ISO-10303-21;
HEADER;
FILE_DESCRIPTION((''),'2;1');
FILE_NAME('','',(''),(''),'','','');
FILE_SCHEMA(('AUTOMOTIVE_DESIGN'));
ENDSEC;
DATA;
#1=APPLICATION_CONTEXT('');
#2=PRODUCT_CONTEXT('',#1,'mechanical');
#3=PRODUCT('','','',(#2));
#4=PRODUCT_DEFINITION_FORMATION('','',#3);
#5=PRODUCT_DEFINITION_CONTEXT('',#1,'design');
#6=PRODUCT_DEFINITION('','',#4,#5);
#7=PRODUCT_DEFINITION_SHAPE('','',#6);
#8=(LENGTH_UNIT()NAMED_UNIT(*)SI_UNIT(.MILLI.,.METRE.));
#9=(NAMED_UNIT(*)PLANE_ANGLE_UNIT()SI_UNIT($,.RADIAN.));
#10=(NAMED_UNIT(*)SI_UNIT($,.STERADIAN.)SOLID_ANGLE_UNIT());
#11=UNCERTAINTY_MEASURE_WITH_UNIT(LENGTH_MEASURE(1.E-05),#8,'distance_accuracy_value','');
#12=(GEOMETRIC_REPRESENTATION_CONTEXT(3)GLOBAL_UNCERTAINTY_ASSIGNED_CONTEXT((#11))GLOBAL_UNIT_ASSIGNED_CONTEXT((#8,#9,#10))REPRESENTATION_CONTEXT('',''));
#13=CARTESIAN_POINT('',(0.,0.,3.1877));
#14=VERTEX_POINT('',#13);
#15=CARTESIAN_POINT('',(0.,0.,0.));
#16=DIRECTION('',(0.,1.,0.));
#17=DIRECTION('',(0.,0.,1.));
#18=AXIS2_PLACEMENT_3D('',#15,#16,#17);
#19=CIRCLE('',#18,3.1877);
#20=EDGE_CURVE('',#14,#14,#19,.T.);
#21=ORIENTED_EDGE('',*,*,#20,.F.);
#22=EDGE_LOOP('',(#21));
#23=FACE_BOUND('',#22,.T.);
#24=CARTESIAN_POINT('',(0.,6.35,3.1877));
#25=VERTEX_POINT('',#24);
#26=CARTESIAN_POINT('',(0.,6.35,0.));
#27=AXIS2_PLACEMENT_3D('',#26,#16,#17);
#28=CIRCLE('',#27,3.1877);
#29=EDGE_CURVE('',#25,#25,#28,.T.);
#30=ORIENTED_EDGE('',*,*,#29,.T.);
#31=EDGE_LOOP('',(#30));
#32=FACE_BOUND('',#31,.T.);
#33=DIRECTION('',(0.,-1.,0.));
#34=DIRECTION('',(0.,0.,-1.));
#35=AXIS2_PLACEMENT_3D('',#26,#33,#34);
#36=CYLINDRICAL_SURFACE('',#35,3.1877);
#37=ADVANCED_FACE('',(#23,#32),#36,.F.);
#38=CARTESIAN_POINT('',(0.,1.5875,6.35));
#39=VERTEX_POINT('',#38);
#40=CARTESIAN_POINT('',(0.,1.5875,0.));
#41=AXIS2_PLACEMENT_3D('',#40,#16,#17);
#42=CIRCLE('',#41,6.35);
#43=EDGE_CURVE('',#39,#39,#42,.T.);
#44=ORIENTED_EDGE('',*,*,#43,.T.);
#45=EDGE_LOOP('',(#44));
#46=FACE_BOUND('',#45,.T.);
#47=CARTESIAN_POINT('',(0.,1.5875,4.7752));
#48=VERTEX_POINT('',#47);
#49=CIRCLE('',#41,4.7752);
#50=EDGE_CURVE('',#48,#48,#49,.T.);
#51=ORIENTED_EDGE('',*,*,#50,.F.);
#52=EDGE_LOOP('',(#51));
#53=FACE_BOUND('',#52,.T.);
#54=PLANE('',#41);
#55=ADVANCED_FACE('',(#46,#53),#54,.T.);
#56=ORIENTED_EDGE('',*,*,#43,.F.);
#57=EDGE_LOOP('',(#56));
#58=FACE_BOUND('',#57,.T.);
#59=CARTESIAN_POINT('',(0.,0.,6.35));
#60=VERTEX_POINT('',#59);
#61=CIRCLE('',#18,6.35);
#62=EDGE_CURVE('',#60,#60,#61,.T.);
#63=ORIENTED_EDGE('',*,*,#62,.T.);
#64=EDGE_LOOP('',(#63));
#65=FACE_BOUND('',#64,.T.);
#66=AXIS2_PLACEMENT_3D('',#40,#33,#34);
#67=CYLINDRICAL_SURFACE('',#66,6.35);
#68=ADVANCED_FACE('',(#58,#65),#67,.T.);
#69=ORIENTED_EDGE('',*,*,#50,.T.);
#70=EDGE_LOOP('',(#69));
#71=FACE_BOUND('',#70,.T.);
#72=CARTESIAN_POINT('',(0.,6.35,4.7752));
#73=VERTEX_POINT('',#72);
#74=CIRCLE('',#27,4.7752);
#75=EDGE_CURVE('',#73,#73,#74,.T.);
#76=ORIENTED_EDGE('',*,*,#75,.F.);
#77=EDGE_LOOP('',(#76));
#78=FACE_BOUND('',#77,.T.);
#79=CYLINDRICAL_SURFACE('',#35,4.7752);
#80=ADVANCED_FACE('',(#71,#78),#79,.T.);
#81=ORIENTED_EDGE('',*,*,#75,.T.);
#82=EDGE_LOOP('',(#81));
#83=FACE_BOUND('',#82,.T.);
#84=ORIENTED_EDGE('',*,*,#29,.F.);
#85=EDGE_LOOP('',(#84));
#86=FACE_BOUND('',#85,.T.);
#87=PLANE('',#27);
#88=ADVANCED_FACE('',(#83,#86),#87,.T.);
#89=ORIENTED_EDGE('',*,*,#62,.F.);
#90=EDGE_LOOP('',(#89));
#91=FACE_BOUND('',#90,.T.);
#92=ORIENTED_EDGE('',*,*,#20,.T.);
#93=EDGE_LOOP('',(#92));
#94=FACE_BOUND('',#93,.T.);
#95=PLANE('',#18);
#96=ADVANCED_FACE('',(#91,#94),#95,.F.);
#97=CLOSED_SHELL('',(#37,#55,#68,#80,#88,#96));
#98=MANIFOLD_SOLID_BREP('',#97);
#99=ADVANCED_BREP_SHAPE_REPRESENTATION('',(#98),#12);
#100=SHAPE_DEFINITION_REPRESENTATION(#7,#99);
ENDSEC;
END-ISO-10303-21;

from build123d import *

# Parameters (mm, degrees)
SKETCH2_R           = 4.7752
SKETCH2_R_2         = 3.1877
BOSS_EXTRUDE1_DEPTH = 6.35
SKETCH3_R           = 6.35
SKETCH3_R_2         = 4.7752
BOSS_EXTRUDE2_DEPTH = 1.5875


with BuildPart() as part:
    # Sketch2 → Boss-Extrude1 (new body)
    with BuildSketch(Plane(origin=(0, 0, 0), x_dir=(1, 0, 0), z_dir=(0, 1, 0))):
        with Locations(Location((0, 0, 0), (0, 0, 270))):
            Circle(SKETCH2_R)
        with Locations(Location((0, 0, 0), (0, 0, 270))):
            Circle(SKETCH2_R_2, mode=Mode.SUBTRACT)
    extrude(amount=BOSS_EXTRUDE1_DEPTH)

    # Sketch3 → Boss-Extrude2 (add)
    with BuildSketch(Plane(origin=(0, 0, 0), x_dir=(1, 0, 0), z_dir=(0, 1, 0))):
        with Locations(Location((0, 0, 0), (0, 0, 270))):
            Circle(SKETCH3_R)
        with Locations(Location((0, 0, 0), (0, 0, 270))):
            Circle(SKETCH3_R_2, mode=Mode.SUBTRACT)
    extrude(amount=BOSS_EXTRUDE2_DEPTH)


solid = part.part
